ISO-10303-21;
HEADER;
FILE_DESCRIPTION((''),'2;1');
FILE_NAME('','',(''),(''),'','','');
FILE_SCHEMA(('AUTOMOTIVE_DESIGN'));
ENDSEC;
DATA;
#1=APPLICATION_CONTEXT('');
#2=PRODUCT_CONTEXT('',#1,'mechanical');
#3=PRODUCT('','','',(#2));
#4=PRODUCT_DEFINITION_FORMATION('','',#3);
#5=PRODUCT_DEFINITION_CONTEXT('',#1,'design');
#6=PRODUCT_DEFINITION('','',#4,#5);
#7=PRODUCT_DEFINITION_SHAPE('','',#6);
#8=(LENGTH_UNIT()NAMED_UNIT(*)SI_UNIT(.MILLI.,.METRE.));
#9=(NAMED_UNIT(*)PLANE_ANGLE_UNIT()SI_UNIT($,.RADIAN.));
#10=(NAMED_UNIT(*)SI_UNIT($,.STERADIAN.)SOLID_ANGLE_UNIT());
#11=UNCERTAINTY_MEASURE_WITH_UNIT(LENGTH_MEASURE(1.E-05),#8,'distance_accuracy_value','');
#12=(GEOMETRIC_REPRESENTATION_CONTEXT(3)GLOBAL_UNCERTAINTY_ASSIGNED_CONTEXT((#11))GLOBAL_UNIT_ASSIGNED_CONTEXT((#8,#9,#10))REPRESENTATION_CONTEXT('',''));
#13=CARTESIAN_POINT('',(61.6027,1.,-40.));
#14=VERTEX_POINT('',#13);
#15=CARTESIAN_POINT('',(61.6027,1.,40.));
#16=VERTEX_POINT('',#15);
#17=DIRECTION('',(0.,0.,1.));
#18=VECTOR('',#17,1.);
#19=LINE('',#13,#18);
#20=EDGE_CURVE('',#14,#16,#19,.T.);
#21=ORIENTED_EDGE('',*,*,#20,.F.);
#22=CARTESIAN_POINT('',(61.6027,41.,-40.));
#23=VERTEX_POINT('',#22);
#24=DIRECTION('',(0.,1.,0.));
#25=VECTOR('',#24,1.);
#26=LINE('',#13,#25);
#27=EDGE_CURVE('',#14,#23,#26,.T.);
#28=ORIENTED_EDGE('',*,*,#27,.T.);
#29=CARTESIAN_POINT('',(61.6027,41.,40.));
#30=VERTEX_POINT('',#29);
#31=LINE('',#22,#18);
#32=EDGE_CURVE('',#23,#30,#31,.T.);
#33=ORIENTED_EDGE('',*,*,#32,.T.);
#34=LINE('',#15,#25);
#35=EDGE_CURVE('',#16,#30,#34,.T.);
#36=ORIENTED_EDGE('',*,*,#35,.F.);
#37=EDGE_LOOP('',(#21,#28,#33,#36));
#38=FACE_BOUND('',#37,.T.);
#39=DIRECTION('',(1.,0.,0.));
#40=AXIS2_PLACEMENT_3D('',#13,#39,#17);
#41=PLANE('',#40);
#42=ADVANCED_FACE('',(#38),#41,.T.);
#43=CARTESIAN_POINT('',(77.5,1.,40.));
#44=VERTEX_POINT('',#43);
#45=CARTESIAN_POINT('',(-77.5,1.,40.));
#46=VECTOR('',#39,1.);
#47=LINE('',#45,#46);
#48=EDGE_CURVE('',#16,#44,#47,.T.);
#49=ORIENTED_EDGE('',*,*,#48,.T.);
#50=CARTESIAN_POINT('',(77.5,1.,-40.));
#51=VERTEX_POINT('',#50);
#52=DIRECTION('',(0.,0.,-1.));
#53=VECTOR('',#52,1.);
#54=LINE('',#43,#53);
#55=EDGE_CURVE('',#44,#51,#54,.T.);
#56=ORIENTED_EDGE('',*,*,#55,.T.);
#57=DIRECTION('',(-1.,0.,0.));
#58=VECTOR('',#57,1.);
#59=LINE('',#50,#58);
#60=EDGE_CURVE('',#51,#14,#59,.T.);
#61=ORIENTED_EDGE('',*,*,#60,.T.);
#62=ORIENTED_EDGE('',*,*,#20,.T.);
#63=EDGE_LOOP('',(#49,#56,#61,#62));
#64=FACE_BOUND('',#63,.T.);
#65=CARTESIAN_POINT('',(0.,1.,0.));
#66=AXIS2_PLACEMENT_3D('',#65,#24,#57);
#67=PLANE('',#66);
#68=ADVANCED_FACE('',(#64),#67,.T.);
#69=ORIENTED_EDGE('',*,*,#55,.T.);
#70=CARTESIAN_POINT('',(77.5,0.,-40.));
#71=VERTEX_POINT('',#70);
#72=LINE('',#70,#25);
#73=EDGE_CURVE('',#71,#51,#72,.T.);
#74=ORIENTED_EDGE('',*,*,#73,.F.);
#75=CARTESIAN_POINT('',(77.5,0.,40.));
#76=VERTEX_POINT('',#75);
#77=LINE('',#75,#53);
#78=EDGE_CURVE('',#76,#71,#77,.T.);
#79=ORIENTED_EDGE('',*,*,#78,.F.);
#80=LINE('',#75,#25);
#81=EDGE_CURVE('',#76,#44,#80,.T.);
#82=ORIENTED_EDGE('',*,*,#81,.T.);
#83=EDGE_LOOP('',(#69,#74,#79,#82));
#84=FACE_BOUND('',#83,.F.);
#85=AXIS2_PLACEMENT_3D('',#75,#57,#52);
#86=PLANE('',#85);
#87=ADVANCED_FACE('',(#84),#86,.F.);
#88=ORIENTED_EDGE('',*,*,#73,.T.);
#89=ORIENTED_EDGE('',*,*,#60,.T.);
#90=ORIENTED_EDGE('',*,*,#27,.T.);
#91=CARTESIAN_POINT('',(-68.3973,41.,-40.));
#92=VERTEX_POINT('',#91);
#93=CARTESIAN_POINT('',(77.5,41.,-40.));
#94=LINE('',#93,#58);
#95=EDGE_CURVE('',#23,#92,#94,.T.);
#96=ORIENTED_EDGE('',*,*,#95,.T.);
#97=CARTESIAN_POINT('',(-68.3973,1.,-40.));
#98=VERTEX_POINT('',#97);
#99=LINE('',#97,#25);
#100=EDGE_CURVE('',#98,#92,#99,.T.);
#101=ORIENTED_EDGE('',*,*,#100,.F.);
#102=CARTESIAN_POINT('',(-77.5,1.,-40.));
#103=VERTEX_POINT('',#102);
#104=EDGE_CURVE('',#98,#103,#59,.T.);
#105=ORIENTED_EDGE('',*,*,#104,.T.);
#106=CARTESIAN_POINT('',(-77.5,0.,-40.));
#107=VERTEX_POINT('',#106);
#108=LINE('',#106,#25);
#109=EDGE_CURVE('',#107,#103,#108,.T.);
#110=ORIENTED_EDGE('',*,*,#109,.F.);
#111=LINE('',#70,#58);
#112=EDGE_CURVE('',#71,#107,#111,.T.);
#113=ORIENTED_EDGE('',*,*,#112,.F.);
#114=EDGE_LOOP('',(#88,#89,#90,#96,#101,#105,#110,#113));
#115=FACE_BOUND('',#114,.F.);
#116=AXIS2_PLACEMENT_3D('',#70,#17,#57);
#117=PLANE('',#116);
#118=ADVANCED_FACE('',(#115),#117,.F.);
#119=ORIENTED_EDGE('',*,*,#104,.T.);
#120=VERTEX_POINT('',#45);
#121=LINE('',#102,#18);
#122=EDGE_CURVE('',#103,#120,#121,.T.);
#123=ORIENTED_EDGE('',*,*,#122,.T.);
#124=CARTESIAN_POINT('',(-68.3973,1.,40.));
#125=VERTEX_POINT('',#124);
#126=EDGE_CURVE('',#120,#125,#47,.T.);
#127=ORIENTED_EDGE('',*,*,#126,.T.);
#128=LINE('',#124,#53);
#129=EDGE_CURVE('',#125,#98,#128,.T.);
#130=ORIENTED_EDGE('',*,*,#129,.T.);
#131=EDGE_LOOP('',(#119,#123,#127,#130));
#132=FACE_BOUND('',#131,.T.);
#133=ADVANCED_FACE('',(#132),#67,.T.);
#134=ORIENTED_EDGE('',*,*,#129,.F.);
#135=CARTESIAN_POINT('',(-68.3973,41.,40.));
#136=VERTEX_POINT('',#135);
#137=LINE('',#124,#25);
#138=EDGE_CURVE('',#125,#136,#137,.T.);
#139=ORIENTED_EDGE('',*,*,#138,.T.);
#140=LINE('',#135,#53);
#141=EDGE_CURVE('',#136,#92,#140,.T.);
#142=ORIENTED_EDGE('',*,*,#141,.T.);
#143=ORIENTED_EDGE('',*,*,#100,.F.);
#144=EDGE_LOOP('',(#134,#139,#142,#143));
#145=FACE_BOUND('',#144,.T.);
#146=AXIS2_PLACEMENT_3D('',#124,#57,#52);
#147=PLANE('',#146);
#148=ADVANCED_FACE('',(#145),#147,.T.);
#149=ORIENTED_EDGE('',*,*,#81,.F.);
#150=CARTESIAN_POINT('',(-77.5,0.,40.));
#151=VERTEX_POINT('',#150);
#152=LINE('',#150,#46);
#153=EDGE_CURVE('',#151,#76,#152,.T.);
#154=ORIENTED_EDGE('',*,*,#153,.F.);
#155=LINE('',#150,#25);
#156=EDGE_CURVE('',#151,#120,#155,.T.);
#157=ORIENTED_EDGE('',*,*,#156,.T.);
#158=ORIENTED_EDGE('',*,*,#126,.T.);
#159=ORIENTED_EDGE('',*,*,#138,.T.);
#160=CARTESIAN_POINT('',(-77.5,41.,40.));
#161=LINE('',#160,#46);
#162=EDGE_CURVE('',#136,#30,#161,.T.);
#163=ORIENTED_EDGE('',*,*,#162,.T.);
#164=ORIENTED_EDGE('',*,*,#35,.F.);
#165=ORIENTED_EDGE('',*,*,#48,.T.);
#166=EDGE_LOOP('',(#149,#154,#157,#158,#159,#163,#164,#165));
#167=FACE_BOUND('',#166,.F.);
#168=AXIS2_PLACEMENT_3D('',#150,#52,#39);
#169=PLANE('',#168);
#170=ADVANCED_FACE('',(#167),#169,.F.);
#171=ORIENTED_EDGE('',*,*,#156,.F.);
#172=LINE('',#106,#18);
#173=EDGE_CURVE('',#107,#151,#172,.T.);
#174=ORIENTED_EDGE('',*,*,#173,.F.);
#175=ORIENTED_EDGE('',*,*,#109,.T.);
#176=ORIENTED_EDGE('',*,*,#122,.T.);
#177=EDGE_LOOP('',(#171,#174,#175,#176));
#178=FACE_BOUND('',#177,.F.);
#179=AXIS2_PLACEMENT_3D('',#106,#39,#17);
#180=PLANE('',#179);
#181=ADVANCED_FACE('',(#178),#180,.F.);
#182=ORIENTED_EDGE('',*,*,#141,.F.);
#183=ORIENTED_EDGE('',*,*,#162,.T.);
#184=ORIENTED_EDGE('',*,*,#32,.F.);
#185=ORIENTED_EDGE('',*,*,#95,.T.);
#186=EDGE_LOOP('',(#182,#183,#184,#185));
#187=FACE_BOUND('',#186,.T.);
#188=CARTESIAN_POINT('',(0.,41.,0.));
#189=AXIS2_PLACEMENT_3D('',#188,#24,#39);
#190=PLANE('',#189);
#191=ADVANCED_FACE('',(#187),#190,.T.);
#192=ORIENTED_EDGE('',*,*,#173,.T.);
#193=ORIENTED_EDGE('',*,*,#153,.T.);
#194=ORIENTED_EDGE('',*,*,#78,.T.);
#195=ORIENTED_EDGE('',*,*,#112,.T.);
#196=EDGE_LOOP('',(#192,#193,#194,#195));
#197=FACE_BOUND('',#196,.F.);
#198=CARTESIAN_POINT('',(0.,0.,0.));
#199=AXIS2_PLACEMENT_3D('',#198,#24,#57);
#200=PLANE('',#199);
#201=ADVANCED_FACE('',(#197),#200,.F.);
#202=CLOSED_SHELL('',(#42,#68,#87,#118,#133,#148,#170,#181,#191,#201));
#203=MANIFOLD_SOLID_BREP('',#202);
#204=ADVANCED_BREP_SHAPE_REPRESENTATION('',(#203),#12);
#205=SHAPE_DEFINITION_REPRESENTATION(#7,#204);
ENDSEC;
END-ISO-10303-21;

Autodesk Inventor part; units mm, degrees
ref_plane "YZ Plane" through (0, 0, 0) normal (1, 0, 0) x (0, 1, 0)
ref_plane "XZ Plane" through (0, 0, 0) normal (0, 1, 0) x (-1, 0, 0)
ref_plane "XY Plane" through (0, 0, 0) normal (0, 0, 1) x (1, 0, 0)
sketch "Sketch1" plane through (0, 0, 0) normal (0, 1, 0) x (-1, 0, 0)
  line L0 (77.5, 40) -> (-77.5, 40)
  line L1 (-77.5, 40) -> (-77.5, -40)
  line L2 (-77.5, -40) -> (77.5, -40)
  line L3 (77.5, -40) -> (77.5, 40)
  point P0 (0, 0)
  point P1 (0, -40)
  point P2 (77.5, 0)
  dimension "d0" = 155
  dimension "d1" = 80
extrude "Extrusion1" add sketch "Sketch1" along normal blind 1
sketch "Sketch3" plane through (0, 1, 0) normal (0, 1, 0) x (1, 0, 0)
  line L0 (77.5, 40) -> (-77.5, 40) projected
  line L1 (-77.5, -40) -> (77.5, -40) projected
  line L2 (-68.3973, 40) -> (61.6027, 40)
  line L3 (61.6027, 40) -> (61.6027, -40)
  line L4 (61.6027, -40) -> (-68.3973, -40)
  line L5 (-68.3973, -40) -> (-68.3973, 40)
  point P0 (0, 0)
  point P1 (0, 40)
  dimension "d7" = 130
extrude "Extrusion2" add sketch "Sketch3" along normal blind 40
properties part number "sound amplifier"
